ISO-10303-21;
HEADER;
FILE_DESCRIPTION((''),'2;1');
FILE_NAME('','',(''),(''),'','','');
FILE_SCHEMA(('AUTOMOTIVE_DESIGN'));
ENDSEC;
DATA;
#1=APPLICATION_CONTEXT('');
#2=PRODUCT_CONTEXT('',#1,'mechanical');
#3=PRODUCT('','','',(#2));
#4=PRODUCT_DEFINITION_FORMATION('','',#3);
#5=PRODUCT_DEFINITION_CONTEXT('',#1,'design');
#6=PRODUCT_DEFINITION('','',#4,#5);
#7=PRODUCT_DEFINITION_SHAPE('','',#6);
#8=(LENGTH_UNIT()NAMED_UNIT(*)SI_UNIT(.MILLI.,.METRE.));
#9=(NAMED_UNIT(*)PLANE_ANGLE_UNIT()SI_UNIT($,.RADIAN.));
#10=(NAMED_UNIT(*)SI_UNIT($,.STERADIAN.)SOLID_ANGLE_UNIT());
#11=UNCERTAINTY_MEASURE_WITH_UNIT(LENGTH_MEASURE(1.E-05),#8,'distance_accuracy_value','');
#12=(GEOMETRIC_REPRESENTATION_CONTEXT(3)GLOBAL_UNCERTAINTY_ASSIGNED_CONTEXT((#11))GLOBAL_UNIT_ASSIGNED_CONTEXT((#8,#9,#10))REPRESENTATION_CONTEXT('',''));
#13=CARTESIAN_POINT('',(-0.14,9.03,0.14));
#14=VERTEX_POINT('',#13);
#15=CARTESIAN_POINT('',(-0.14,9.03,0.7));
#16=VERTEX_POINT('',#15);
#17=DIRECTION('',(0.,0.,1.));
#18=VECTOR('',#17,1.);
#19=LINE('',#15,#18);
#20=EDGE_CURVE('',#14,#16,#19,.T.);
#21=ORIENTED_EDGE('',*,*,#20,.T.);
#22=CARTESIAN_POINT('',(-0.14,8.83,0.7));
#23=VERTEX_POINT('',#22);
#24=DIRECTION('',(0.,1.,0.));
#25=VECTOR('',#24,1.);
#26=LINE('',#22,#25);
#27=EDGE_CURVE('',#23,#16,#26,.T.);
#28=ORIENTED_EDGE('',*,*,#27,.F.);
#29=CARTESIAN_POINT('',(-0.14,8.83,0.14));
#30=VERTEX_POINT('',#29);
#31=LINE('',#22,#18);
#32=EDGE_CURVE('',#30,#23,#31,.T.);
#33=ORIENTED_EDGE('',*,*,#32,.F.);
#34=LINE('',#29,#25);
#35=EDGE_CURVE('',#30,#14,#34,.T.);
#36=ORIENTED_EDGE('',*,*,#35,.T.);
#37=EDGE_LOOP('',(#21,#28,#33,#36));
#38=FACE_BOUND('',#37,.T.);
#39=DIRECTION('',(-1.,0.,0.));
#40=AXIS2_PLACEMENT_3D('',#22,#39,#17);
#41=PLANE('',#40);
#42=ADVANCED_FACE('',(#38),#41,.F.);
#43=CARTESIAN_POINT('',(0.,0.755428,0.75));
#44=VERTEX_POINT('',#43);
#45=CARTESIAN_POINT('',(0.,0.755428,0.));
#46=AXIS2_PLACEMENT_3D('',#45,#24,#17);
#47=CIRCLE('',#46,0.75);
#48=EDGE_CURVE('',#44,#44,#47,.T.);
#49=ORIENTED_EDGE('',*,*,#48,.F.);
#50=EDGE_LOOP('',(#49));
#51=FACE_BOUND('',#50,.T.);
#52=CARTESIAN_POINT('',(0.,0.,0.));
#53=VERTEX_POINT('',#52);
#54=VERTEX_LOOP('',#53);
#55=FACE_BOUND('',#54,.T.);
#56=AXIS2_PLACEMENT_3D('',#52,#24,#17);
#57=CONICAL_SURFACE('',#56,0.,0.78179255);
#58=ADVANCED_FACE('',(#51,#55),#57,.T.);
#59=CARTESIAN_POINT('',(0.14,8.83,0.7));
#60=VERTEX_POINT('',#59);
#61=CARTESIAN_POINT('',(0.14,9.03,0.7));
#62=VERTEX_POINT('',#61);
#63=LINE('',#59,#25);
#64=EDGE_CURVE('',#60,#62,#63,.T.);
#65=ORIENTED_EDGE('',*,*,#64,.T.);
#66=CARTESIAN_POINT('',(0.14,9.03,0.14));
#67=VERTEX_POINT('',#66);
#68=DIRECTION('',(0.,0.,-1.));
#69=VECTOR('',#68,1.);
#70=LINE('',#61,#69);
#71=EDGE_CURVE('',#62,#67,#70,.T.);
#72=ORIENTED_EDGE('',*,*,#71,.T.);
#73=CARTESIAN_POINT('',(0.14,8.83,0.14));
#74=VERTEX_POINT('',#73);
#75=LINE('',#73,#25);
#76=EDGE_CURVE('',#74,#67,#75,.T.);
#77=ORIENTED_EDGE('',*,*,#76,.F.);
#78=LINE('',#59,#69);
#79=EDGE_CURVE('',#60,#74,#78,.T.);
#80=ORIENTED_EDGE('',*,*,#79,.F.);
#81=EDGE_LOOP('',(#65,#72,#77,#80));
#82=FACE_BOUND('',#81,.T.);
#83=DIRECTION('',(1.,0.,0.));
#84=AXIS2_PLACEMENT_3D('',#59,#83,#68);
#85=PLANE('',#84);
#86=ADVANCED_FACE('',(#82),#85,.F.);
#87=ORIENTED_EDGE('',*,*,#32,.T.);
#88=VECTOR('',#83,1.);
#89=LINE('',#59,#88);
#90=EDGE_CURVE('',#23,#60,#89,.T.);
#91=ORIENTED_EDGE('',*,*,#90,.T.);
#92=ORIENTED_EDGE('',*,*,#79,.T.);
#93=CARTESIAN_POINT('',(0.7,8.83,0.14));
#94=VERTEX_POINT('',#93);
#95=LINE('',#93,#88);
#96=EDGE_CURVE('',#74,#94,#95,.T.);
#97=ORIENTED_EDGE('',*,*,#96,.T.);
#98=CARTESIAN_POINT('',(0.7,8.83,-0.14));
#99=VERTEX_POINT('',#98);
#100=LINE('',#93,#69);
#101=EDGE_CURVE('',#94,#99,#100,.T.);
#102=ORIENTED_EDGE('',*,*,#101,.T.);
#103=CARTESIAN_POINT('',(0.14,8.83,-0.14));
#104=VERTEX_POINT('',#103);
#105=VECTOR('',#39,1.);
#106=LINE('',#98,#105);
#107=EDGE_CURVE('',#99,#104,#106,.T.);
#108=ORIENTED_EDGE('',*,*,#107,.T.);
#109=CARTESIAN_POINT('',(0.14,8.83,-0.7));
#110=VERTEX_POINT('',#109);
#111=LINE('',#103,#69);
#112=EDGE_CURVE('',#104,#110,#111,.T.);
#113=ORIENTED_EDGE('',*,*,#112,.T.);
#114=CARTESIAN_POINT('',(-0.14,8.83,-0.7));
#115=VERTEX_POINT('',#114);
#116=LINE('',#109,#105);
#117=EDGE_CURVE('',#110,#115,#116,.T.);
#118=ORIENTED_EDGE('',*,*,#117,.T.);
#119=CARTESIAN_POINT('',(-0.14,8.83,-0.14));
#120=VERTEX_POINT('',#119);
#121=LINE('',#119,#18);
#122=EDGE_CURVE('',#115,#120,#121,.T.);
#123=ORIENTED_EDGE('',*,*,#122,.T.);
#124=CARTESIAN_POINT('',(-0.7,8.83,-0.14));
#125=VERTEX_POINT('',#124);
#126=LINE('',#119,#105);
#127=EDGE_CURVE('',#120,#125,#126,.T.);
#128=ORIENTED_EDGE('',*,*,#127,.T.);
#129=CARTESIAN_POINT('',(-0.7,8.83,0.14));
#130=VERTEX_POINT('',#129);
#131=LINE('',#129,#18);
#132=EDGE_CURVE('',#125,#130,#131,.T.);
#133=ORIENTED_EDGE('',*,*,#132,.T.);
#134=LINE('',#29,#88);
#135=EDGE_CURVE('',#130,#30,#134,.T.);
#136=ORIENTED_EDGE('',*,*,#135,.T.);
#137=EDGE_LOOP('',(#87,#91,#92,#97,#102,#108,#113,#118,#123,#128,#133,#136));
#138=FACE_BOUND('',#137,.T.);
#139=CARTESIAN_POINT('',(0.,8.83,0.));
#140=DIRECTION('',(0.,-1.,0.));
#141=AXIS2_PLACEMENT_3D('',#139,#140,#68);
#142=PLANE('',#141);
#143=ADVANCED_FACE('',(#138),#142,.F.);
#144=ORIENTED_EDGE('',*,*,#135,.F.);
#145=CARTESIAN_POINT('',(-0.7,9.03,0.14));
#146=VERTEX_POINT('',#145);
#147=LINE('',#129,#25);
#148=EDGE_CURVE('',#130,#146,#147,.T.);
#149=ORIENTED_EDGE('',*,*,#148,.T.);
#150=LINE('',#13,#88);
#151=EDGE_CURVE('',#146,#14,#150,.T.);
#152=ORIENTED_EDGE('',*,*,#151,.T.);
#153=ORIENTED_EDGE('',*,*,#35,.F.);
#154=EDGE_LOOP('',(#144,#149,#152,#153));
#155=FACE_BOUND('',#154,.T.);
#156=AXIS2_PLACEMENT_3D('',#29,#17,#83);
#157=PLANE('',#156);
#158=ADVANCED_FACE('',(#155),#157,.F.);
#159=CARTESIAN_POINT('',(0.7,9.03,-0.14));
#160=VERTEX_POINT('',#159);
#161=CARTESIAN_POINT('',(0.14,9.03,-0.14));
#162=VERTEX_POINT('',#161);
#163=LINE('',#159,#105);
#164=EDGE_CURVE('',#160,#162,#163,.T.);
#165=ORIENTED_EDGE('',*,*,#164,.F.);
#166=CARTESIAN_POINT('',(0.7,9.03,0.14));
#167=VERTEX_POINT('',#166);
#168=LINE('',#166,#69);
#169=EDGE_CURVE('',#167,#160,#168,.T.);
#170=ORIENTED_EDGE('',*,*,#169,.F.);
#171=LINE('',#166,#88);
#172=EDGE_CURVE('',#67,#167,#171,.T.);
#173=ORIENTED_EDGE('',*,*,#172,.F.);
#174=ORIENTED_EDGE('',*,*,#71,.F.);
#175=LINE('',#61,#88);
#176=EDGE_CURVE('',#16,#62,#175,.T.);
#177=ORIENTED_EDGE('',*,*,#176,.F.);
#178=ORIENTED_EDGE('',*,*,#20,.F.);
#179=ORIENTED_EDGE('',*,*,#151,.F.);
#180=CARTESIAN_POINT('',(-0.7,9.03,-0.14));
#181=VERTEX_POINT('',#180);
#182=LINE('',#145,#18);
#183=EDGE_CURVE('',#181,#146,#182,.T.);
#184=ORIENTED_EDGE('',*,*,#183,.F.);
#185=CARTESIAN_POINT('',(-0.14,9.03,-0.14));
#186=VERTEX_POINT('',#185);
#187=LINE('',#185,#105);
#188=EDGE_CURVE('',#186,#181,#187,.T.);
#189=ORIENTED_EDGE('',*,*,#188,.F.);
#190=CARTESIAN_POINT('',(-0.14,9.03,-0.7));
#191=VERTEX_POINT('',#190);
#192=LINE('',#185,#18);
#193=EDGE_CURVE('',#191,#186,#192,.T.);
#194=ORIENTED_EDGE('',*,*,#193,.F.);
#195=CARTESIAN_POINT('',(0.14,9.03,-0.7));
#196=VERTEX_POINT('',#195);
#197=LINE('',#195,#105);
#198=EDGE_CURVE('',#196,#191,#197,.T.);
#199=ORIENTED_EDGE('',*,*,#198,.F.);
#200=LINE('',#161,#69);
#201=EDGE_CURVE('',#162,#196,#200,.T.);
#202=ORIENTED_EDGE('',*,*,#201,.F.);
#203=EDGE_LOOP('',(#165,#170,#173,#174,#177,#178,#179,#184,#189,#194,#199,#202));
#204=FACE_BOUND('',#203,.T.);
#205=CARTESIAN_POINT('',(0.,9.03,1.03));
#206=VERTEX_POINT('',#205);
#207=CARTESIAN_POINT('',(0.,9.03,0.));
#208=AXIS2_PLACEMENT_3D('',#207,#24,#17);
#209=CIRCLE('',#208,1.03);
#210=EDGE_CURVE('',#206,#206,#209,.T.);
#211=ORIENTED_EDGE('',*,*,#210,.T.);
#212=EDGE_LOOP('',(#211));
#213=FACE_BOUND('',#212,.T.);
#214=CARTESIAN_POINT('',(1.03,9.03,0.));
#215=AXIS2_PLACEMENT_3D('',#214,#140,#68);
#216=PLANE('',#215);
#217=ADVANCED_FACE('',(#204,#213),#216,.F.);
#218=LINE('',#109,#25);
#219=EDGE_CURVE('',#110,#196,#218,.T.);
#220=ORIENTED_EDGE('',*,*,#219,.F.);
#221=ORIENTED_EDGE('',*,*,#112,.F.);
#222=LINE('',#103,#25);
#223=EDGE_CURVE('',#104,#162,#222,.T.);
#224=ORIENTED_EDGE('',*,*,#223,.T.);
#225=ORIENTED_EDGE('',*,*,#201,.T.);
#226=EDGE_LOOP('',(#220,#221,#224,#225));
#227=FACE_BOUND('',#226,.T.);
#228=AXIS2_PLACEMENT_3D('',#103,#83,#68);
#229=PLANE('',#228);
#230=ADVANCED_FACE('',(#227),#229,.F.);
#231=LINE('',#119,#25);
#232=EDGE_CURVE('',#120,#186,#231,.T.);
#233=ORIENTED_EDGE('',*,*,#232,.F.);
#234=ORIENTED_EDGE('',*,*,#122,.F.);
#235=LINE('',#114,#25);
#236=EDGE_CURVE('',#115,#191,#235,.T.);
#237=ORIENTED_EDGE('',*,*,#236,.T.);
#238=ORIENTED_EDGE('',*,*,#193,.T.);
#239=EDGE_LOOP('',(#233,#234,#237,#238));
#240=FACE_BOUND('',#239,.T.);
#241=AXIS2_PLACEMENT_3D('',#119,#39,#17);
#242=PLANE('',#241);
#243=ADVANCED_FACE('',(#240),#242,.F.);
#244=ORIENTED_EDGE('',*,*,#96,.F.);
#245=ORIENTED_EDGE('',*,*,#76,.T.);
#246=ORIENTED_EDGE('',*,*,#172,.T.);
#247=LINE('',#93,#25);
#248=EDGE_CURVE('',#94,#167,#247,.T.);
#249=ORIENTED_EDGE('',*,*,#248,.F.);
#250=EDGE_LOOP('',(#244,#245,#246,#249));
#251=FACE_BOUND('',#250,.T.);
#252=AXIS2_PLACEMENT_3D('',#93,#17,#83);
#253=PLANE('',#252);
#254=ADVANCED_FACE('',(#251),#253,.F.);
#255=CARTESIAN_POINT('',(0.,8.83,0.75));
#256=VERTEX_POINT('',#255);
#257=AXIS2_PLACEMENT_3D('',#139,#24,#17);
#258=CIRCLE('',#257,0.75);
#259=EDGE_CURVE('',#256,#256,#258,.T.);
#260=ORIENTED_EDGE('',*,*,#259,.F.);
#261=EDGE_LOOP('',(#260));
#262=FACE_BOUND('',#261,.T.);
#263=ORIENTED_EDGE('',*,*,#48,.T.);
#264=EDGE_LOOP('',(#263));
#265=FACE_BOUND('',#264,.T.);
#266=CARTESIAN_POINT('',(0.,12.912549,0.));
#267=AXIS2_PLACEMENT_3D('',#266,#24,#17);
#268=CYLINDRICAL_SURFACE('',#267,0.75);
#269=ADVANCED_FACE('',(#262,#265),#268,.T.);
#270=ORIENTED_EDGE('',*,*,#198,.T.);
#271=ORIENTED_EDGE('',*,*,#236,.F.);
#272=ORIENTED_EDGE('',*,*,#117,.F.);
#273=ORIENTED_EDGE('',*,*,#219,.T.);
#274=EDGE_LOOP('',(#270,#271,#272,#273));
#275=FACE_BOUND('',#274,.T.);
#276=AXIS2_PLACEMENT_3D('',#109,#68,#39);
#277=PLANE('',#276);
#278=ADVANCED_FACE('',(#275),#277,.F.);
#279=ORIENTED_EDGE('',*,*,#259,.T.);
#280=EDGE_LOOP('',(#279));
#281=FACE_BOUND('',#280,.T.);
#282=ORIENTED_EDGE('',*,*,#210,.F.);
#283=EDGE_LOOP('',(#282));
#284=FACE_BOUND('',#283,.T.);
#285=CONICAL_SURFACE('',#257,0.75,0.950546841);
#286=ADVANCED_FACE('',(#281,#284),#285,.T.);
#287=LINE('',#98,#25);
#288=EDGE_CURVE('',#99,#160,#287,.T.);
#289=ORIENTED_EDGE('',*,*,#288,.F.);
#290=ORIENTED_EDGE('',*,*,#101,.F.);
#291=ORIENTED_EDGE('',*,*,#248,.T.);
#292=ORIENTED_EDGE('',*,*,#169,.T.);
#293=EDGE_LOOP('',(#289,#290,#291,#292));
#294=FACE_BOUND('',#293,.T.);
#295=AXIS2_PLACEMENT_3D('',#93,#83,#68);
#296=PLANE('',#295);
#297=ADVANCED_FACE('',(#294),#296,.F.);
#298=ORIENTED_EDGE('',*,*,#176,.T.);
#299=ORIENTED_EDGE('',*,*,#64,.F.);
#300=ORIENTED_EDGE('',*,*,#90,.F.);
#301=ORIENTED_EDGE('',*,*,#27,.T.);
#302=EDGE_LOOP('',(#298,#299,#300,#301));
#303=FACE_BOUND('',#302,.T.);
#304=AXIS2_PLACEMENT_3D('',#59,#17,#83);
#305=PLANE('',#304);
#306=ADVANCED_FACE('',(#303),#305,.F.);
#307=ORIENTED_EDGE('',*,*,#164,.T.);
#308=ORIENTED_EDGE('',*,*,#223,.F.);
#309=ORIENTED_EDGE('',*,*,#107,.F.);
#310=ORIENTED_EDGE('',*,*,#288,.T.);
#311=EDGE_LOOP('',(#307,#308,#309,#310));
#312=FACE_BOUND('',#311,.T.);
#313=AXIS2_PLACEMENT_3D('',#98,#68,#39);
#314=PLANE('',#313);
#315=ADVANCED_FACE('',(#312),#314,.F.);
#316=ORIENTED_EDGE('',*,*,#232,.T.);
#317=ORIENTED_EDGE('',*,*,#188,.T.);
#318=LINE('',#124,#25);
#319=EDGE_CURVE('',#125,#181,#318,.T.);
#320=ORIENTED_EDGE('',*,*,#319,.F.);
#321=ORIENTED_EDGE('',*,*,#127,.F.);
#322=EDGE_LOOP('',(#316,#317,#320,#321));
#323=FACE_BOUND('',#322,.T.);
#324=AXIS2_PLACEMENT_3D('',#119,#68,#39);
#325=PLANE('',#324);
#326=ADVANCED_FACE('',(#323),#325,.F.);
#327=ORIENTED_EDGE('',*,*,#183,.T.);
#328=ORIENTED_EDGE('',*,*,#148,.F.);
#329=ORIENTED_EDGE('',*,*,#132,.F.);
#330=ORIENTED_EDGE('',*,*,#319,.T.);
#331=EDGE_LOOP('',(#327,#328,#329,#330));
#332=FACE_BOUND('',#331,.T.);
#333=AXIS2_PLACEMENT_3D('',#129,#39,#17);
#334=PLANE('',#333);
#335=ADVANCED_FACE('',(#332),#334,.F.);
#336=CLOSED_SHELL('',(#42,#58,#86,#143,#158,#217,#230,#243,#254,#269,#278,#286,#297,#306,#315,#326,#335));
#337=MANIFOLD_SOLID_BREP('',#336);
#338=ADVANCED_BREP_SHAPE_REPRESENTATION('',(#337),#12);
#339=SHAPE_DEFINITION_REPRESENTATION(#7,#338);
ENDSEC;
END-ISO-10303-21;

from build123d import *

# Parameters (mm, degrees)
CUT_EXTRUDE1_DEPTH = 0.2


with BuildPart() as part:
    # Sketch1 → Revolve1 (revolve)
    with BuildSketch(Plane.XY, mode=Mode.PRIVATE) as revolve1_sk:
        Polygon((0, 0), (0.75, 0.755428016), (0.75, 8.83), (1.03, 9.03), (0, 9.03), align=None)
    revolve(revolve1_sk.sketch.rotate(Axis((0, 12.912548638, 0), (0, -1, 0)), 90), axis=Axis((0, 12.912548638, 0), (0, -1, 0)))

    # Sketch2 → Cut-Extrude1 (cut)
    with BuildSketch(Plane(origin=(0, 9.03, 0), x_dir=(1, 0, 0), z_dir=(0, 1, 0))):
        Polygon((-0.14, 0.14), (-0.14, 0.7), (0.14, 0.7), (0.14, 0.14), (0.7, 0.14), (0.7, -0.14), (0.14, -0.14), (0.14, -0.7), (-0.14, -0.7), (-0.14, -0.14), (-0.7, -0.14), (-0.7, 0.14), align=None)
    extrude(amount=-CUT_EXTRUDE1_DEPTH, mode=Mode.SUBTRACT)


solid = part.part
